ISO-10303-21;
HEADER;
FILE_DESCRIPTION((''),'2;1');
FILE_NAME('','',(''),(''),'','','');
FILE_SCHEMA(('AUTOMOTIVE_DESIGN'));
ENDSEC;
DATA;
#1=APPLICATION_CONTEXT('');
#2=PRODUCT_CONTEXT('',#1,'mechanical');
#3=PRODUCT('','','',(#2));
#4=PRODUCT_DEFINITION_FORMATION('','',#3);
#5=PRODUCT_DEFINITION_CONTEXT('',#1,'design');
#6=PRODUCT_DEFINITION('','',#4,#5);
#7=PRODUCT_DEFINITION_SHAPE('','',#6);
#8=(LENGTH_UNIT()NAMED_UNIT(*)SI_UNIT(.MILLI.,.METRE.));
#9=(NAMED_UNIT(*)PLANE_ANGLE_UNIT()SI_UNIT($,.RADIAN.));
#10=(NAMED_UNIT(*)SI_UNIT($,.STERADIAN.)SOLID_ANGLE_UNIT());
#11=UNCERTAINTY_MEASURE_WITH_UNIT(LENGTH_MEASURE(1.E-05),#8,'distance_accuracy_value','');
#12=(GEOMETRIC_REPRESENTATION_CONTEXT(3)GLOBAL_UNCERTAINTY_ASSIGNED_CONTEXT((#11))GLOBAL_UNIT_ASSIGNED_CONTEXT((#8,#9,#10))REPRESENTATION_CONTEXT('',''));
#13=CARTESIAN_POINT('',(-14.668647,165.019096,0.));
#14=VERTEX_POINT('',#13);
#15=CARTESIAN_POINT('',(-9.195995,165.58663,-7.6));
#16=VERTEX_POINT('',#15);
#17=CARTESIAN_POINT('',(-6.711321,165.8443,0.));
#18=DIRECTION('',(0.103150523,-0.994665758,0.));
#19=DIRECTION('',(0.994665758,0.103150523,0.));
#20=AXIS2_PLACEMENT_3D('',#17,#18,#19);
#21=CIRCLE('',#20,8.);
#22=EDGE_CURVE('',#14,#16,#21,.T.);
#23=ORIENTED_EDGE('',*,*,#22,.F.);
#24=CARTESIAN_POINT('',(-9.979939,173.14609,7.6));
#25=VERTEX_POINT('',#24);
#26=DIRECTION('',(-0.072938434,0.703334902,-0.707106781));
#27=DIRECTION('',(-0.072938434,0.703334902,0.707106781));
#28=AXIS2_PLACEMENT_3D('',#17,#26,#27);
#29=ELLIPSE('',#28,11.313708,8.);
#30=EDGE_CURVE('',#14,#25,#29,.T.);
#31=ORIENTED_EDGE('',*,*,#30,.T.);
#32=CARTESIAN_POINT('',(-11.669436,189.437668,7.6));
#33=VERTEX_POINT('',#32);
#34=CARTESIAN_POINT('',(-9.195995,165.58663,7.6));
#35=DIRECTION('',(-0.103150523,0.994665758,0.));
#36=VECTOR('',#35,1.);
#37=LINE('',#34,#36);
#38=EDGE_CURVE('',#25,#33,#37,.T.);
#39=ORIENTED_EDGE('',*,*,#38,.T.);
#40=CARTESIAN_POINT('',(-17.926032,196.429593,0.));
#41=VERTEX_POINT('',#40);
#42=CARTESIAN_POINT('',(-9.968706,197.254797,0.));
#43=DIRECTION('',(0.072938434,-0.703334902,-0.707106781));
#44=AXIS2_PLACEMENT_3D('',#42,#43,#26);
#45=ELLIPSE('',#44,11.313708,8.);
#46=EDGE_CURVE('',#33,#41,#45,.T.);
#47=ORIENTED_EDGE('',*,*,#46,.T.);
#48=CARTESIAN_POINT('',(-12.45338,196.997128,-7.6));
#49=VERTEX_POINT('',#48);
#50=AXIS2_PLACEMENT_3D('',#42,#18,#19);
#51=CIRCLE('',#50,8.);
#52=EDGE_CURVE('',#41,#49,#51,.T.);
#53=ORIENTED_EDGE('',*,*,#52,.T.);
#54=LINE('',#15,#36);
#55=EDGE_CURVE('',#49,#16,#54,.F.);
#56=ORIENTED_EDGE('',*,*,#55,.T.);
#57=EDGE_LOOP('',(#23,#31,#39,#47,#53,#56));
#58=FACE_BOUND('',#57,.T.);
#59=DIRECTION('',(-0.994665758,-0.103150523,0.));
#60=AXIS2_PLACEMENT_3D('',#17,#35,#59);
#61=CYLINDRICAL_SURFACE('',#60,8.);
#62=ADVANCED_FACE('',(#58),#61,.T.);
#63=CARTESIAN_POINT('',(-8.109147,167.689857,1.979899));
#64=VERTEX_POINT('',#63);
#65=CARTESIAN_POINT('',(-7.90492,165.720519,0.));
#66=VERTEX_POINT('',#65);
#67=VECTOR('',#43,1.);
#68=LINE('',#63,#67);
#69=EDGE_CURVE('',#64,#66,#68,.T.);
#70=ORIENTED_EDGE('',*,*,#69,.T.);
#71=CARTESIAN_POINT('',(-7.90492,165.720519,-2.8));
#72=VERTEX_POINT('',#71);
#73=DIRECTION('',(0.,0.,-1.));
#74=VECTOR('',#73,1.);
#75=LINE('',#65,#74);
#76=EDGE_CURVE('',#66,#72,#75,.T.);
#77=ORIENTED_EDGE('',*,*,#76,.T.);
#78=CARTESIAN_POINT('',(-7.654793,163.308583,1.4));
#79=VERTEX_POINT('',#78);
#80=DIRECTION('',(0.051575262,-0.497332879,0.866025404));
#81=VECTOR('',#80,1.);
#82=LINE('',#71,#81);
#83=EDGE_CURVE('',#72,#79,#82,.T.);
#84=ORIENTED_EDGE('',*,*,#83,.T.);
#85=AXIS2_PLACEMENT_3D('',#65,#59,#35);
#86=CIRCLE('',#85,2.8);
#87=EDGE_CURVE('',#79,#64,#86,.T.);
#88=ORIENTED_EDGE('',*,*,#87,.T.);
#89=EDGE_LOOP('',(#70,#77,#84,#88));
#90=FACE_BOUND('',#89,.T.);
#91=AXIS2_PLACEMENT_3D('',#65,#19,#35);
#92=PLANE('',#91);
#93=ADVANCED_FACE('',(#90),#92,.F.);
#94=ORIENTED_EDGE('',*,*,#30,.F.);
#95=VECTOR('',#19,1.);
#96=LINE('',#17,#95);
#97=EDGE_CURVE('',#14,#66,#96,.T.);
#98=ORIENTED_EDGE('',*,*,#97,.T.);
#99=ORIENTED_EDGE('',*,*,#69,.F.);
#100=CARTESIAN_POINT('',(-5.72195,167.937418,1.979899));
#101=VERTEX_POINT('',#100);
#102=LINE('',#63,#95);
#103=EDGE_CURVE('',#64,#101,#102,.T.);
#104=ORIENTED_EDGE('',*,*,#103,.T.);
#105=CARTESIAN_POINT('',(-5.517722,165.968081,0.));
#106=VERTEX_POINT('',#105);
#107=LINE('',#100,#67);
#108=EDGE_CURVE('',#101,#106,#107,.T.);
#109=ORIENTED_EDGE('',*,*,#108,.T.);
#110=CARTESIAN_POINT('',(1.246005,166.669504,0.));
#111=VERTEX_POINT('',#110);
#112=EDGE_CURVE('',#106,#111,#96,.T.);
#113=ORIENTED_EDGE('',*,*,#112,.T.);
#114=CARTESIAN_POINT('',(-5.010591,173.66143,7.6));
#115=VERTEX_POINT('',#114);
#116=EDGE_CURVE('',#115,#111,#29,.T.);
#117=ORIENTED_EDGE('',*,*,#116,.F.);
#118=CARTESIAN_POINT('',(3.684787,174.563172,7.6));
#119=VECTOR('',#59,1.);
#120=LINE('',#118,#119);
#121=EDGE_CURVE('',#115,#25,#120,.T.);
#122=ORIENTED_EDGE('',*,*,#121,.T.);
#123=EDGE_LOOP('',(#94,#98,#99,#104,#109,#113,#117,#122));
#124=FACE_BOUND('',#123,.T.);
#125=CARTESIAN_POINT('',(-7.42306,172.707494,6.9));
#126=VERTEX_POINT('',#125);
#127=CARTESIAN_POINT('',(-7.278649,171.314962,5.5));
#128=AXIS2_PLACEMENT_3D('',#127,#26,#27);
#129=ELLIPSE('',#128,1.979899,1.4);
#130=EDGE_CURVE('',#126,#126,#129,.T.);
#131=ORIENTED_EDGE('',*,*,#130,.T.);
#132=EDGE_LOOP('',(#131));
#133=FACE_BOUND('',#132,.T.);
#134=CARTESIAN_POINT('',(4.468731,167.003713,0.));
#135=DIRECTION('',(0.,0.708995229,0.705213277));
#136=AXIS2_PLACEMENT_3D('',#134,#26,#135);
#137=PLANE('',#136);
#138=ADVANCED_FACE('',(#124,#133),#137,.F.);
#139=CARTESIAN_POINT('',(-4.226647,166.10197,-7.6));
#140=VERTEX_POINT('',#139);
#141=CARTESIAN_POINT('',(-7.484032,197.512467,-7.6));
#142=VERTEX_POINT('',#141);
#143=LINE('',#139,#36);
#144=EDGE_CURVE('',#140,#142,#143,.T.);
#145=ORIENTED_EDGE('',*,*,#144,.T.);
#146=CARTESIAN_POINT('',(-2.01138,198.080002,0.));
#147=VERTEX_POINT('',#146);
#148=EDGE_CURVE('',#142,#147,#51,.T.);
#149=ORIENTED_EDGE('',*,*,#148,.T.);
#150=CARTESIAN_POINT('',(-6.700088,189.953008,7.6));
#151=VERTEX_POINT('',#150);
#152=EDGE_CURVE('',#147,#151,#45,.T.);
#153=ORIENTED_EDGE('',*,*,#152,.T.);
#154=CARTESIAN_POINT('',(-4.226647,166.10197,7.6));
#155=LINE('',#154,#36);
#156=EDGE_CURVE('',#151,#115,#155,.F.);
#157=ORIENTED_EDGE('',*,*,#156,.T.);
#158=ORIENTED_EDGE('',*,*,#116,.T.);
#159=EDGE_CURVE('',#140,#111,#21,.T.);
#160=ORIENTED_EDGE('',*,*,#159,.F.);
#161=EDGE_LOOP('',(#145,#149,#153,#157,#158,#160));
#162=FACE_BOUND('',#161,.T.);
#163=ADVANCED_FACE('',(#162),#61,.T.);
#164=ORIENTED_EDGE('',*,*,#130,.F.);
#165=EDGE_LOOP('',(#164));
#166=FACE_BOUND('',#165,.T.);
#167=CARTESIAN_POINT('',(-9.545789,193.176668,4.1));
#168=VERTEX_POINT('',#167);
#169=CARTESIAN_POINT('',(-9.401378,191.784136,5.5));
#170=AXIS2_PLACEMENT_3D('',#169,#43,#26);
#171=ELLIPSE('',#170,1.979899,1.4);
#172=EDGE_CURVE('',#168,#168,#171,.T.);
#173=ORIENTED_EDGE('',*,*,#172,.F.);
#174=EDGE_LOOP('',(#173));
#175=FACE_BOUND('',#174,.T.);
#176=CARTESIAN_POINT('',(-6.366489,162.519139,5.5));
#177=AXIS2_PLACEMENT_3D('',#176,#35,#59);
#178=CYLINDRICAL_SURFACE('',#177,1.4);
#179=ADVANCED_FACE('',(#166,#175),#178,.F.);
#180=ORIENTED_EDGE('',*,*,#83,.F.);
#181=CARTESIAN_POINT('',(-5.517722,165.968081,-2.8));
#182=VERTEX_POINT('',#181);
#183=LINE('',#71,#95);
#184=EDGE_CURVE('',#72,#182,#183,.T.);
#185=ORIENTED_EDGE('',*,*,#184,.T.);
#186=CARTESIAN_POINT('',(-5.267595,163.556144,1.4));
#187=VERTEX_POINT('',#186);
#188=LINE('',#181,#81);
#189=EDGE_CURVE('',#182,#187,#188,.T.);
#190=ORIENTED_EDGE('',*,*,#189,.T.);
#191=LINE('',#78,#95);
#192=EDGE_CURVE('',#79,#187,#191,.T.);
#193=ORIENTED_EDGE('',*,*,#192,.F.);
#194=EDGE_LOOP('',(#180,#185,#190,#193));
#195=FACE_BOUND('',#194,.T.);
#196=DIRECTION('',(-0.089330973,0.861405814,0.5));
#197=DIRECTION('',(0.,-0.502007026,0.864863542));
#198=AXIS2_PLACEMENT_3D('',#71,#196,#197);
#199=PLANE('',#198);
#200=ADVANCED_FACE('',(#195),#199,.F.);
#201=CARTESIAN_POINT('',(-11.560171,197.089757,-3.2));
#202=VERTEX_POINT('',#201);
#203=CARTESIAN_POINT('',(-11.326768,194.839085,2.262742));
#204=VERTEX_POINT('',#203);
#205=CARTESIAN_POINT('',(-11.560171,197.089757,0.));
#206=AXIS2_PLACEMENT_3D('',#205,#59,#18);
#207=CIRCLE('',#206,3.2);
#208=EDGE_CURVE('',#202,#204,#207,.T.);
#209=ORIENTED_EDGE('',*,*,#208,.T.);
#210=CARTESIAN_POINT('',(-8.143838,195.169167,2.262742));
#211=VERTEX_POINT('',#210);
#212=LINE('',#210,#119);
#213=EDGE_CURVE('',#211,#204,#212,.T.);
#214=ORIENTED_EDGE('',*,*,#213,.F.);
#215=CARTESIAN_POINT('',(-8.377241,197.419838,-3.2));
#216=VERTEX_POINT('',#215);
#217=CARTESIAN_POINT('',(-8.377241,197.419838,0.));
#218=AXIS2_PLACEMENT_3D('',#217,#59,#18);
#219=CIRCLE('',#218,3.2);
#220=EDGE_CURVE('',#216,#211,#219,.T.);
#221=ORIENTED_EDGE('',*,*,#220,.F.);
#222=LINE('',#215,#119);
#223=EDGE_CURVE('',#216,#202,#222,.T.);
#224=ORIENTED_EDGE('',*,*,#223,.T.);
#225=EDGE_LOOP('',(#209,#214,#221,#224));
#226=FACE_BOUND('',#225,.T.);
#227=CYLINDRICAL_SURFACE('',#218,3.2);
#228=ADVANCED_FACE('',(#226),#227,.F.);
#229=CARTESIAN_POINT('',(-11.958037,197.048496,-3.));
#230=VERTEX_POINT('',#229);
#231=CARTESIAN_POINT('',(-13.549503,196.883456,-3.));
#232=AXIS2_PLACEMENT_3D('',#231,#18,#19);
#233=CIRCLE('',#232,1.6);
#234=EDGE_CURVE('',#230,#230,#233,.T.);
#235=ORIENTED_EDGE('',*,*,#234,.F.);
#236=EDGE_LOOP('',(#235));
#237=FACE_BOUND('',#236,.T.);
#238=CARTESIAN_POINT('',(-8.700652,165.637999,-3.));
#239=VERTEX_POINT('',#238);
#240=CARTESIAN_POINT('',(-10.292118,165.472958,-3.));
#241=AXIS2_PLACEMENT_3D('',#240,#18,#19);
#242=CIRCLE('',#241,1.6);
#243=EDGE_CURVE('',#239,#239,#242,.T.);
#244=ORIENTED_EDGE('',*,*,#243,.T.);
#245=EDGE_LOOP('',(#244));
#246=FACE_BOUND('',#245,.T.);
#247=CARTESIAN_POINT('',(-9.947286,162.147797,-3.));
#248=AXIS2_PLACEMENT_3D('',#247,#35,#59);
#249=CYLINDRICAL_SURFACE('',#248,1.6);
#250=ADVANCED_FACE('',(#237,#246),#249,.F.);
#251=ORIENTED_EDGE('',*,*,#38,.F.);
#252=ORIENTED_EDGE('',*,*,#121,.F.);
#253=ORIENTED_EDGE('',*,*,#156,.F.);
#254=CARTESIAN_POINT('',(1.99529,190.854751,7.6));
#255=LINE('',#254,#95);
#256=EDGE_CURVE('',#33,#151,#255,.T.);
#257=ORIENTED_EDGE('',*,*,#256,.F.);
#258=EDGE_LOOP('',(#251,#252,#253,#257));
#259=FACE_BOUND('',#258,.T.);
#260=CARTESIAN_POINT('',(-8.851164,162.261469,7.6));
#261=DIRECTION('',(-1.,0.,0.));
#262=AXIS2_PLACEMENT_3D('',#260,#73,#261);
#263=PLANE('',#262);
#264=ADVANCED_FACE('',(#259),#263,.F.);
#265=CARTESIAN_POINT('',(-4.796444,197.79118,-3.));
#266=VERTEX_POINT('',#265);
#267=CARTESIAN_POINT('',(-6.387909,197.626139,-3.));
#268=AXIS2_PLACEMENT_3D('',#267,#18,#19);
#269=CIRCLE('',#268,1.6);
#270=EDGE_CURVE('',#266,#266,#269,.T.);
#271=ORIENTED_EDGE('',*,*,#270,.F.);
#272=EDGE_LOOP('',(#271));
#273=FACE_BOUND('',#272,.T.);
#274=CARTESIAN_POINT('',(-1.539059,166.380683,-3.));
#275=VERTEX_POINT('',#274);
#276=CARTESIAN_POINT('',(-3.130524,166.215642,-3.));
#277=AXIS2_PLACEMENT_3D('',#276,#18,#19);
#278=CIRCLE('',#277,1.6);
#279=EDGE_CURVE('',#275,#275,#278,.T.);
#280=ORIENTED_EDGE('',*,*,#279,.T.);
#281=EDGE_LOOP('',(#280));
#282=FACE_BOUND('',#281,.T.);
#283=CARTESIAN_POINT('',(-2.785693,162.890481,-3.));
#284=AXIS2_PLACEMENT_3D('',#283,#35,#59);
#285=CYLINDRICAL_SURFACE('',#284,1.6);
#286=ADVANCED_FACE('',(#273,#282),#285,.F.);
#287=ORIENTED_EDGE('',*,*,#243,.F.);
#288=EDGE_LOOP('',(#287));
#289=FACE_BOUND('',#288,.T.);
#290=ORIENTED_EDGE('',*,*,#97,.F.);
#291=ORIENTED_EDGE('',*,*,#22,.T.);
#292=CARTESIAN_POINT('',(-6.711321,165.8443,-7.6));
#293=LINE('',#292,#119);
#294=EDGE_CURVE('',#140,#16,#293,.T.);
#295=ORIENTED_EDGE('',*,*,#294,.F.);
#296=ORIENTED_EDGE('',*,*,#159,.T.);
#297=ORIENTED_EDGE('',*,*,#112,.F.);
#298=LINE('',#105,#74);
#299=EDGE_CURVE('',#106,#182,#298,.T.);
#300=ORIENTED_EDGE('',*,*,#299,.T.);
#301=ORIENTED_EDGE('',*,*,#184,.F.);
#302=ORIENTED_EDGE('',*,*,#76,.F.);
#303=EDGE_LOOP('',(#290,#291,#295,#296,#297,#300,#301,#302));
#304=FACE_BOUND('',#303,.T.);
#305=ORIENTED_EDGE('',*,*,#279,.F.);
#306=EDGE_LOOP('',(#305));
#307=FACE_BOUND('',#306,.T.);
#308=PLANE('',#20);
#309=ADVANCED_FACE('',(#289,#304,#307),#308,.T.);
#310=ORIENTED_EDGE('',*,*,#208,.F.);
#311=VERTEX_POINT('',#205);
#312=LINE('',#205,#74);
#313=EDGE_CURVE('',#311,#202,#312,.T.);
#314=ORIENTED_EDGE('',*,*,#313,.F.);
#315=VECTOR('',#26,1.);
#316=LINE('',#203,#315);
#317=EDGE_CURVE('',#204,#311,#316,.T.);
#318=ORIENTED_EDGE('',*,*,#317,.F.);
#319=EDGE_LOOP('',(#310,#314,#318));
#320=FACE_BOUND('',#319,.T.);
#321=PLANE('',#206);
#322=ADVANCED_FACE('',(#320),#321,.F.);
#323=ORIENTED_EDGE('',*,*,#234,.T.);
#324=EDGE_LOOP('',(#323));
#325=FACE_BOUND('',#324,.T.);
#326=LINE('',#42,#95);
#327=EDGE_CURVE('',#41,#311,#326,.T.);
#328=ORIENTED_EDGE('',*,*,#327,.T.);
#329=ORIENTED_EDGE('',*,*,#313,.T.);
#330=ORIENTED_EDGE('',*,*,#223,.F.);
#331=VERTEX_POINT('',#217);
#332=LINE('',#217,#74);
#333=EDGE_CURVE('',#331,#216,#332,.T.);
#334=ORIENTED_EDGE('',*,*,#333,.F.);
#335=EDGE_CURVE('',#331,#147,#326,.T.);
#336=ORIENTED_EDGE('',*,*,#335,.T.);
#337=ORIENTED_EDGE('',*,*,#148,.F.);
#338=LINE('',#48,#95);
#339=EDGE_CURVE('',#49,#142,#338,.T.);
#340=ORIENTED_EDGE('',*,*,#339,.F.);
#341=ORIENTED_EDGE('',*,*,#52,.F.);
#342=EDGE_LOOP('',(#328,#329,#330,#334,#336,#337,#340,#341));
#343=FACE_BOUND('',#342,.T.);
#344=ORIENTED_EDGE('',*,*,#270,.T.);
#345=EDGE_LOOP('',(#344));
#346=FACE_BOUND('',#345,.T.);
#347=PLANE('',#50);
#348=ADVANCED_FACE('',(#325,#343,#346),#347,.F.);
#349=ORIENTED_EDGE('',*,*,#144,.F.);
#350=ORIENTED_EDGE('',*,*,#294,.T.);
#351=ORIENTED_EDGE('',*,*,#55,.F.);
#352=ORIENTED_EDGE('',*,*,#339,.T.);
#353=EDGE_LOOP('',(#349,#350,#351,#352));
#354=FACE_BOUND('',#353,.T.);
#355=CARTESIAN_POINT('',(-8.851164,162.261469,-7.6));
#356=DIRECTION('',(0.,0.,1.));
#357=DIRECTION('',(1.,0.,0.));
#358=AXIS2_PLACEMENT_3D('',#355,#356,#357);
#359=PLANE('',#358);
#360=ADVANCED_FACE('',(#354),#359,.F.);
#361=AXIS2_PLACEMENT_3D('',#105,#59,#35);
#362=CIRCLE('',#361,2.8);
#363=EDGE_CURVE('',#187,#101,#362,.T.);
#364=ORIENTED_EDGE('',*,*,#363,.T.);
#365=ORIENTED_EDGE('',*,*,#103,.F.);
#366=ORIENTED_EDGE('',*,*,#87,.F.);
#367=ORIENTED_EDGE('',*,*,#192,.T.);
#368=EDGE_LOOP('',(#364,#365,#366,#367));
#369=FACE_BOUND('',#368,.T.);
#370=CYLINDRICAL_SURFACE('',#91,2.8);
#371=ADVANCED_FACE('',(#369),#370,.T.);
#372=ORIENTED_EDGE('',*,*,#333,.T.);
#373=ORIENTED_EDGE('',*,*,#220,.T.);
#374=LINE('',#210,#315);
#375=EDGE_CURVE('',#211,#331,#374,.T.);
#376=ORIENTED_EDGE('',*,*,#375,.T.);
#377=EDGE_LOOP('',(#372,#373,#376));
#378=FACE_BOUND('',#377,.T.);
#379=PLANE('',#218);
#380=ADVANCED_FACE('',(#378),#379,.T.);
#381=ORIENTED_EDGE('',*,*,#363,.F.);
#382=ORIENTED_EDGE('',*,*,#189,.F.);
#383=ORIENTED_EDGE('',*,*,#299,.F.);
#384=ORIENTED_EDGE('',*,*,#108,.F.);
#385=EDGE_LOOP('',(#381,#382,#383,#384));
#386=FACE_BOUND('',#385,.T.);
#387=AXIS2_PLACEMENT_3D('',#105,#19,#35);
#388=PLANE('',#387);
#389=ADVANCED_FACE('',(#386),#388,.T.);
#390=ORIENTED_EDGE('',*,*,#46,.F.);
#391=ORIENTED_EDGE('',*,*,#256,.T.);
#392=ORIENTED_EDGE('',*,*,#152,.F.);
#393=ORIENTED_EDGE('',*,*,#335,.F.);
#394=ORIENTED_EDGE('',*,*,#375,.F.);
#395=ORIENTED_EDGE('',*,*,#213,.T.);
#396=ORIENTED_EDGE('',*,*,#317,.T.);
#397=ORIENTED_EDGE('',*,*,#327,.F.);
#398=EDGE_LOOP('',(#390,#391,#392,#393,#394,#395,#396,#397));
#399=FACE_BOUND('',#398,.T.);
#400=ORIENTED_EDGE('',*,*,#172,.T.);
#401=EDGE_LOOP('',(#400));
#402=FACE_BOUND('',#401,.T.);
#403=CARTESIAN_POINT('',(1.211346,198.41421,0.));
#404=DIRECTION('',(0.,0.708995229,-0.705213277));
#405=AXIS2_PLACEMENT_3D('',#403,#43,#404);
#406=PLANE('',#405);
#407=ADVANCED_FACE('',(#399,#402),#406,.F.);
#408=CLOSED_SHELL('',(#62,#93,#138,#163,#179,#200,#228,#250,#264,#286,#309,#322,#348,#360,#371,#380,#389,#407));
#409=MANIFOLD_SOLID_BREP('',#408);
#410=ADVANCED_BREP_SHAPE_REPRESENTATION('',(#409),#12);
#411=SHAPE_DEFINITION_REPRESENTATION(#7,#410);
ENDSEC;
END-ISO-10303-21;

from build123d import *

# Parameters (mm, degrees)
SKETCH3_R               = 8
BOSS_EXTRUDE1_DEPTH     = 31.578947368
CUT_EXTRUDE1_DEPTH      = 12.240009257
CUT_EXTRUDE1_DEPTH_BACK = 12.240009257
BOSS_EXTRUDE2_DEPTH     = 1.2
CUT_EXTRUDE2_DEPTH      = 1.6
SKETCH8_R               = 1.4
SKETCH8_R_2             = 1.6
CUT_EXTRUDE3_DEPTH      = 2.64160469
CUT_EXTRUDE3_DEPTH_BACK = 35.921940493
CUT_EXTRUDE4_DEPTH      = 35.921940493


with BuildPart() as part:
    # Sketch3 → Boss-Extrude1 (new body)
    with BuildSketch(Plane(origin=(-20.344467381, 196.178792599, 0), x_dir=(-0.994665758, -0.103150523, 0), z_dir=(0.103150523, -0.994665758, 0))):
        with Locations((-10.431405186, 0)):
            Circle(SKETCH3_R)
    extrude(amount=BOSS_EXTRUDE1_DEPTH)

    # Sketch4 → Cut-Extrude1 (cut, two sides)
    with BuildSketch(Plane(origin=(10.375761543, 1.076004901, 0), x_dir=(0.103150523, -0.994665758, 0), z_dir=(-0.994665758, -0.103150523, 0))) as cut_extrude1_sk:
        Polygon((-197.230869842, 0), (-189.230869842, 8), (-197.230869842, 8), align=None)
        Polygon((-173.651922474, 8), (-165.651922474, 8), (-165.651922474, 0), align=None)
    extrude(amount=CUT_EXTRUDE1_DEPTH, mode=Mode.SUBTRACT)
    extrude(cut_extrude1_sk.sketch, amount=-CUT_EXTRUDE1_DEPTH_BACK, mode=Mode.SUBTRACT)

    # Sketch5 → Boss-Extrude2 (add, symmetric)
    with BuildSketch(Plane(origin=(10.375761543, 1.076004901, 0), x_dir=(0.103150523, -0.994665758, 0), z_dir=(-0.994665758, -0.103150523, 0))):
        with BuildLine():
            Line((-165.651922474, -2.8), (-163.227051343, 1.4))
            ThreePointArc((-163.227051343, 1.4), (-165.286449135, 2.776045612), (-167.631821461, 1.979898987))
            Line((-167.631821461, 1.979898987), (-165.651922474, 0))
            Line((-165.651922474, 0), (-165.651922474, -2.8))
        make_face()
    extrude(amount=BOSS_EXTRUDE2_DEPTH, both=True)

    # Sketch7 → Cut-Extrude2 (cut, symmetric)
    with BuildSketch(Plane(origin=(10.375761543, 1.076004901, 0), x_dir=(0.103150523, -0.994665758, 0), z_dir=(-0.994665758, -0.103150523, 0))):
        with BuildLine():
            Line((-194.968128142, 2.2627417), (-197.230869842, 0))
            Line((-197.230869842, 0), (-197.230869842, -3.2))
            ThreePointArc((-197.230869842, -3.2), (-194.274455338, -1.224586984), (-194.968128142, 2.2627417))
        make_face()
    extrude(amount=CUT_EXTRUDE2_DEPTH, both=True, mode=Mode.SUBTRACT)

    # Sketch8 → Cut-Extrude3 (cut, two sides)
    with BuildSketch(Plane(origin=(-20.344467381, 196.178792599, 0), x_dir=(0.994665758, 0.103150523, 0), z_dir=(-0.103150523, 0.994665758, 0))) as cut_extrude3_sk:
        with Locations((10.431405186, -5.5)):
            Circle(SKETCH8_R)
        with Locations((6.831405186, 3)):
            Circle(SKETCH8_R_2)
        with Locations((14.031405186, 3)):
            Circle(SKETCH8_R_2)
    extrude(amount=CUT_EXTRUDE3_DEPTH, mode=Mode.SUBTRACT)
    extrude(cut_extrude3_sk.sketch, amount=-CUT_EXTRUDE3_DEPTH_BACK, mode=Mode.SUBTRACT)

    # Sketch9 → Cut-Extrude4 (cut, through all)
    with BuildSketch(Plane(origin=(-20.344467381, 196.178792599, 0), x_dir=(0.994665758, 0.103150523, 0), z_dir=(-0.103150523, 0.994665758, 0))):
        with BuildLine():
            Line((7.933405986, 7.6), (12.929404385, 7.6))
            ThreePointArc((12.929404385, 7.6), (10.431405186, 8), (7.933405986, 7.6))
        make_face()
        with BuildLine():
            Line((7.933405986, -7.6), (12.929404385, -7.6))
            ThreePointArc((12.929404385, -7.6), (10.431405186, -8), (7.933405986, -7.6))
        make_face()
    extrude(amount=-CUT_EXTRUDE4_DEPTH, mode=Mode.SUBTRACT)


solid = part.part
